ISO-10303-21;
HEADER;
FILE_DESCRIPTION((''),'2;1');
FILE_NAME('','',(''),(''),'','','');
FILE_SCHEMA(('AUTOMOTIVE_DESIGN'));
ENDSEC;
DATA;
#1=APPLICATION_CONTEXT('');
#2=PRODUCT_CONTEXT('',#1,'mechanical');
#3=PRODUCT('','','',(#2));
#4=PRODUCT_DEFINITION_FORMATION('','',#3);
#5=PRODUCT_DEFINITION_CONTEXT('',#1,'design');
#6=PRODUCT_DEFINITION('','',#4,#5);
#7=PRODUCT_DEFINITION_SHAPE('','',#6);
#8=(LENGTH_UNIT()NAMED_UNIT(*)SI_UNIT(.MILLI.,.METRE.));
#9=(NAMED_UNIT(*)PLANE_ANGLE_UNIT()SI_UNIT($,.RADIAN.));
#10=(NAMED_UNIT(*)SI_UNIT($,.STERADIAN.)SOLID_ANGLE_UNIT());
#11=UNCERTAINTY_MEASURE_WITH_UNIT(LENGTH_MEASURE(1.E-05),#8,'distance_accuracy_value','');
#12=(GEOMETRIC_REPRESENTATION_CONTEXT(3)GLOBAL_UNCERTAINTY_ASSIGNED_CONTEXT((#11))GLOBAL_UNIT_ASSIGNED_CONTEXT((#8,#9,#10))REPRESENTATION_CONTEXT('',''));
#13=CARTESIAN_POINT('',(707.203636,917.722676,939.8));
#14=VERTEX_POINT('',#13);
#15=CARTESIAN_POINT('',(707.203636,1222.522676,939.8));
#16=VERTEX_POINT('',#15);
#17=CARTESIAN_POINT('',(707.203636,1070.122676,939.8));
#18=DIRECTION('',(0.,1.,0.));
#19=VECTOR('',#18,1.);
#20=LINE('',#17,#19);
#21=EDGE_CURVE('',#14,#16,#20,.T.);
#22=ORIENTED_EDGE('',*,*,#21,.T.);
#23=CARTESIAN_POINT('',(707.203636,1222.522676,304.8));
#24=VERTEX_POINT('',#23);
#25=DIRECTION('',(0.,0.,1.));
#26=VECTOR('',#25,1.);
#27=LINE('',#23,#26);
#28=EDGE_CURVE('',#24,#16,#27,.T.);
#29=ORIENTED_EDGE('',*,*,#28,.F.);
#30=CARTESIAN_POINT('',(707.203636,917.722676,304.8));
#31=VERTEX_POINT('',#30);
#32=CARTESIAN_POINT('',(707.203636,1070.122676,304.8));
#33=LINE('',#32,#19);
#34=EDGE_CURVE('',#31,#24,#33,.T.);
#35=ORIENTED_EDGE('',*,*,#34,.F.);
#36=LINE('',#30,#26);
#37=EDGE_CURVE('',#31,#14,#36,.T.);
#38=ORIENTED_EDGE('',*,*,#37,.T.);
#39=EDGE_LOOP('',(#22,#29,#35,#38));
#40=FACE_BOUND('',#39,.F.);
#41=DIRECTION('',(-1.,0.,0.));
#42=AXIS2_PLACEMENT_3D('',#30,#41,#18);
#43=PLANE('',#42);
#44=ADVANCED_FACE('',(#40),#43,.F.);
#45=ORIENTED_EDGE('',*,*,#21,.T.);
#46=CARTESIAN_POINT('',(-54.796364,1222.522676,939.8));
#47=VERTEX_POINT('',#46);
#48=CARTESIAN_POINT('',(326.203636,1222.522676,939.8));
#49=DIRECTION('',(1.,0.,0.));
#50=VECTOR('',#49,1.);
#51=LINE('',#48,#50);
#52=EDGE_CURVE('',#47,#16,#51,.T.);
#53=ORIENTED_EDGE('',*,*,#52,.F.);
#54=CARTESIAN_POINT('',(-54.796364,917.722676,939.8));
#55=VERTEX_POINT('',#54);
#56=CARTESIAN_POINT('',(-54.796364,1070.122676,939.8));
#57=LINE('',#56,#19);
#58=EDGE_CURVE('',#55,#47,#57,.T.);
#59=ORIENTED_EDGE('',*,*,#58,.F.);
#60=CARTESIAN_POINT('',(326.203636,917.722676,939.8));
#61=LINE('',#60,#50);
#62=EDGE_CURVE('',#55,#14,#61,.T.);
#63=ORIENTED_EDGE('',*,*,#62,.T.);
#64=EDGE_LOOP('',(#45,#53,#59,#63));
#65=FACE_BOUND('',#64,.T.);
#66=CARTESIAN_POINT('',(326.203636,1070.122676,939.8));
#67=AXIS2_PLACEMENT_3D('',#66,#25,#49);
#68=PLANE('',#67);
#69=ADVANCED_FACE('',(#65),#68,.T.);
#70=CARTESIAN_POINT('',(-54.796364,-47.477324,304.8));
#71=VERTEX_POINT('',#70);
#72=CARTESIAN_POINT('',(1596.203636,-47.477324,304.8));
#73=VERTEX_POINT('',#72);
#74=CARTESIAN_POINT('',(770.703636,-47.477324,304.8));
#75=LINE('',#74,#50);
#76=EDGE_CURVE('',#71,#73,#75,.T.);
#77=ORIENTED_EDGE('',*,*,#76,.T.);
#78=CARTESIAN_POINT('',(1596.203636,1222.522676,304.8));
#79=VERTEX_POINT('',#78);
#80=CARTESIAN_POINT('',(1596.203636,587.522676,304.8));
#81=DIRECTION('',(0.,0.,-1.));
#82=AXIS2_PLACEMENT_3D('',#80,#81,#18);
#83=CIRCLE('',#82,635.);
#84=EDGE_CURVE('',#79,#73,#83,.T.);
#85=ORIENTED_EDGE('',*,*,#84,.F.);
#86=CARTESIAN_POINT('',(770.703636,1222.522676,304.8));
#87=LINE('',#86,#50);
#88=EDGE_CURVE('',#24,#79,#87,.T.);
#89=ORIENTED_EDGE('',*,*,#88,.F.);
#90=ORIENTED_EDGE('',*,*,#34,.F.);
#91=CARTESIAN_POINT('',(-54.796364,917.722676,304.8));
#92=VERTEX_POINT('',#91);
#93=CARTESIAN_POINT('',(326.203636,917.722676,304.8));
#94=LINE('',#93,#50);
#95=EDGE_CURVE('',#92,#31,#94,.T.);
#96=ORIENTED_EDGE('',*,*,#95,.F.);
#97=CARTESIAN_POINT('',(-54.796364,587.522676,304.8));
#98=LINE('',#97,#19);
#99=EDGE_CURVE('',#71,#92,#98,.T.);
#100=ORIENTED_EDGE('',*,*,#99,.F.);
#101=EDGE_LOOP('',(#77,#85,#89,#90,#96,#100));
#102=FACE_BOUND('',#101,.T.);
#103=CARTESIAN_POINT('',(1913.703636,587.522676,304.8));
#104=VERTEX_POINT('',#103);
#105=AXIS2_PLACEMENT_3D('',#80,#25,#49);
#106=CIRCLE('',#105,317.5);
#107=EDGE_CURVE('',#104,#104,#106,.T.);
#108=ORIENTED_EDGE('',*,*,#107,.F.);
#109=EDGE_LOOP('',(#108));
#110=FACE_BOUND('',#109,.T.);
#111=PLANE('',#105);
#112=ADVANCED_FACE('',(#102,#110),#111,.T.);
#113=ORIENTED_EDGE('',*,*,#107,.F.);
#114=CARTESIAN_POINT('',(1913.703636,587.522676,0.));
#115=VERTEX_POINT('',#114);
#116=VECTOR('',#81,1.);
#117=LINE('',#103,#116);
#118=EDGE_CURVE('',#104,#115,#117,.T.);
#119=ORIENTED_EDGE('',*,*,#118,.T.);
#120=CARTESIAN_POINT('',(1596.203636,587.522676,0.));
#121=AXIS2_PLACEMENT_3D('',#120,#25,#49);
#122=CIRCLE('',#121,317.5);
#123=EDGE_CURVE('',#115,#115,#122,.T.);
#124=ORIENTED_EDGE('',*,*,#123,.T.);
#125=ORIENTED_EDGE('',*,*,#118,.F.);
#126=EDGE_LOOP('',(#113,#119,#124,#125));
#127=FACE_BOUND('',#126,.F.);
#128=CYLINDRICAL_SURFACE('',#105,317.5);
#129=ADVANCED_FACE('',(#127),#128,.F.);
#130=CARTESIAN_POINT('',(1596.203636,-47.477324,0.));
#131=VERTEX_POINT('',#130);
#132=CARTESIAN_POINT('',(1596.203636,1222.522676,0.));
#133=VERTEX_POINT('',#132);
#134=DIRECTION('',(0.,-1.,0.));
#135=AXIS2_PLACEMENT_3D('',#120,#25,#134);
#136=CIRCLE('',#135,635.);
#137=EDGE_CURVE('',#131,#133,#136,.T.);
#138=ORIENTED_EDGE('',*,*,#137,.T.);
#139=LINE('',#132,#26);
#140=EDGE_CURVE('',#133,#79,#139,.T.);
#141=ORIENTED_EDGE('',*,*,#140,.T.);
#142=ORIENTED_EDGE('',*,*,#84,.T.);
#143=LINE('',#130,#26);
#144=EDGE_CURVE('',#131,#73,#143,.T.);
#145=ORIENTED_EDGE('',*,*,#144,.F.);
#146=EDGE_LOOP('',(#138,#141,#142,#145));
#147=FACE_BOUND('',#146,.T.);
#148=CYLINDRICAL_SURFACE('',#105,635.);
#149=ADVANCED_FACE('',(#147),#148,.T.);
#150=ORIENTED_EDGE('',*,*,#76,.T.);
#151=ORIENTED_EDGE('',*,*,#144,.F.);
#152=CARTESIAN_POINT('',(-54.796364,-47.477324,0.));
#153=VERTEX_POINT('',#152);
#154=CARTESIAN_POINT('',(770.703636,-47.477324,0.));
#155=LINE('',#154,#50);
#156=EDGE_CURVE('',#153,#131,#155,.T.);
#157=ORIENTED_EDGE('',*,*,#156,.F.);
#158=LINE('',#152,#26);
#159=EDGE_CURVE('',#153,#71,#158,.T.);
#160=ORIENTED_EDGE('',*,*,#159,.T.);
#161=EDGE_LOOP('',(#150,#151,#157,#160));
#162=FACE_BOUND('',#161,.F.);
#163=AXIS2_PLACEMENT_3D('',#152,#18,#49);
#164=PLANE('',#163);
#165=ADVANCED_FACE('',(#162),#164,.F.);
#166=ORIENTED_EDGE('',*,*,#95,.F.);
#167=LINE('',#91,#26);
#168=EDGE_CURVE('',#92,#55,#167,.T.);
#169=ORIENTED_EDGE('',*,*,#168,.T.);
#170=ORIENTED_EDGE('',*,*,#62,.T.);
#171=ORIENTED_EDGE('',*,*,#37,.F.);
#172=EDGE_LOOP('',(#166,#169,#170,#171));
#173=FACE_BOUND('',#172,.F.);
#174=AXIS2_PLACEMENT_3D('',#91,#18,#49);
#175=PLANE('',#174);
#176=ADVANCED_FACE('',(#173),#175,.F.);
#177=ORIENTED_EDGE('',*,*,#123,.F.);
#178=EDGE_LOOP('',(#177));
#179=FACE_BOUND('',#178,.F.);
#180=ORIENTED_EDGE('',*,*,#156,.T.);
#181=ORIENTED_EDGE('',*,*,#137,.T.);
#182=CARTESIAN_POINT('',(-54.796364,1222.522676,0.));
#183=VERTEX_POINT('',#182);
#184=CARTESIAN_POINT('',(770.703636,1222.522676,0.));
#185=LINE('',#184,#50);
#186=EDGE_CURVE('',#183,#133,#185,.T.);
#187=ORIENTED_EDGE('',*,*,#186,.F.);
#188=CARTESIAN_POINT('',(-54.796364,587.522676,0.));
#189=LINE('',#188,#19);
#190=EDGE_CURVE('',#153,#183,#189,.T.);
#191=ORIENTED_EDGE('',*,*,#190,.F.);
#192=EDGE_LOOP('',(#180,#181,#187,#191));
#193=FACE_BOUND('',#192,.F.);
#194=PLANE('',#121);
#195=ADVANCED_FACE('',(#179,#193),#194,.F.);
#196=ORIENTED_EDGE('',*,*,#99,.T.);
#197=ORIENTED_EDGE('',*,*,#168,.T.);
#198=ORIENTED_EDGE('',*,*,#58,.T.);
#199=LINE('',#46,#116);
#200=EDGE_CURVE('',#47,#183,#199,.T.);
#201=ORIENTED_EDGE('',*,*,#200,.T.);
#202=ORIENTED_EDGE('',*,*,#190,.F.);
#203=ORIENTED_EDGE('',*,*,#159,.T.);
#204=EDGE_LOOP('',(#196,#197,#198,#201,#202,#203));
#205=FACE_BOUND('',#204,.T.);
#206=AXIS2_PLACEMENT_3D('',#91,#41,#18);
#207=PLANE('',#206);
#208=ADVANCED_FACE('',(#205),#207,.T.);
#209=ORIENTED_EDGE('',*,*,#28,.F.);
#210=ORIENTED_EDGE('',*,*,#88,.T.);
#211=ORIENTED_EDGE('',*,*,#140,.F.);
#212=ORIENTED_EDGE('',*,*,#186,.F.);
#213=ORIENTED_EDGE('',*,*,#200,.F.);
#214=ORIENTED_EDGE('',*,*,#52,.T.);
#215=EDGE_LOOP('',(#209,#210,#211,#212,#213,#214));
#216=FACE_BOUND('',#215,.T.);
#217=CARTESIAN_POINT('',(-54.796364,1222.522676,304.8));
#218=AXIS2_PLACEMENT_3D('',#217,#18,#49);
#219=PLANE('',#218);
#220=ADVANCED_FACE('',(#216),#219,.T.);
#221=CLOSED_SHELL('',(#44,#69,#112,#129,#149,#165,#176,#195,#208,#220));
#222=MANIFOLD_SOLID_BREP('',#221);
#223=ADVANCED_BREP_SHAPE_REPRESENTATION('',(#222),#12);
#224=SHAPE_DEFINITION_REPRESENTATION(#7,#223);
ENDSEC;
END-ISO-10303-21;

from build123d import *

# Parameters (mm, degrees)
F0_W     = 1651
F0_H     = 1270
F1_DEPTH = 304.8
F2_W     = 762
F2_H     = 304.8
F3_DEPTH = 635
F4_R     = 635
F5_DEPTH = 304.8
F6_R     = 317.5
F7_DEPTH = 355.6


with BuildPart() as f1:
    # F0 (on Top) → F1 (new body)
    with BuildSketch(Plane.XY):
        with Locations((770.703636, 587.522676)):
            Rectangle(F0_W, F0_H)
    extrude(amount=F1_DEPTH)

    # F2 (on face) → F3 (join)
    with BuildSketch(Plane.XY.offset(304.8)):
        with Locations((326.203636, 1070.122676)):
            Rectangle(F2_W, F2_H)
    extrude(amount=F3_DEPTH)

    # F4 (on face) → F5 (join)
    with BuildSketch(Plane.XY.offset(304.8)):
        with Locations((1596.203636, 587.522676)):
            Circle(F4_R)
    extrude(amount=-F5_DEPTH)

    # F6 (on face) → F7 (cut)
    with BuildSketch(Plane.XY.offset(304.8)):
        with Locations((1596.203636, 587.522676)):
            Circle(F6_R)
    extrude(amount=-F7_DEPTH, mode=Mode.SUBTRACT)


solid = f1.part
